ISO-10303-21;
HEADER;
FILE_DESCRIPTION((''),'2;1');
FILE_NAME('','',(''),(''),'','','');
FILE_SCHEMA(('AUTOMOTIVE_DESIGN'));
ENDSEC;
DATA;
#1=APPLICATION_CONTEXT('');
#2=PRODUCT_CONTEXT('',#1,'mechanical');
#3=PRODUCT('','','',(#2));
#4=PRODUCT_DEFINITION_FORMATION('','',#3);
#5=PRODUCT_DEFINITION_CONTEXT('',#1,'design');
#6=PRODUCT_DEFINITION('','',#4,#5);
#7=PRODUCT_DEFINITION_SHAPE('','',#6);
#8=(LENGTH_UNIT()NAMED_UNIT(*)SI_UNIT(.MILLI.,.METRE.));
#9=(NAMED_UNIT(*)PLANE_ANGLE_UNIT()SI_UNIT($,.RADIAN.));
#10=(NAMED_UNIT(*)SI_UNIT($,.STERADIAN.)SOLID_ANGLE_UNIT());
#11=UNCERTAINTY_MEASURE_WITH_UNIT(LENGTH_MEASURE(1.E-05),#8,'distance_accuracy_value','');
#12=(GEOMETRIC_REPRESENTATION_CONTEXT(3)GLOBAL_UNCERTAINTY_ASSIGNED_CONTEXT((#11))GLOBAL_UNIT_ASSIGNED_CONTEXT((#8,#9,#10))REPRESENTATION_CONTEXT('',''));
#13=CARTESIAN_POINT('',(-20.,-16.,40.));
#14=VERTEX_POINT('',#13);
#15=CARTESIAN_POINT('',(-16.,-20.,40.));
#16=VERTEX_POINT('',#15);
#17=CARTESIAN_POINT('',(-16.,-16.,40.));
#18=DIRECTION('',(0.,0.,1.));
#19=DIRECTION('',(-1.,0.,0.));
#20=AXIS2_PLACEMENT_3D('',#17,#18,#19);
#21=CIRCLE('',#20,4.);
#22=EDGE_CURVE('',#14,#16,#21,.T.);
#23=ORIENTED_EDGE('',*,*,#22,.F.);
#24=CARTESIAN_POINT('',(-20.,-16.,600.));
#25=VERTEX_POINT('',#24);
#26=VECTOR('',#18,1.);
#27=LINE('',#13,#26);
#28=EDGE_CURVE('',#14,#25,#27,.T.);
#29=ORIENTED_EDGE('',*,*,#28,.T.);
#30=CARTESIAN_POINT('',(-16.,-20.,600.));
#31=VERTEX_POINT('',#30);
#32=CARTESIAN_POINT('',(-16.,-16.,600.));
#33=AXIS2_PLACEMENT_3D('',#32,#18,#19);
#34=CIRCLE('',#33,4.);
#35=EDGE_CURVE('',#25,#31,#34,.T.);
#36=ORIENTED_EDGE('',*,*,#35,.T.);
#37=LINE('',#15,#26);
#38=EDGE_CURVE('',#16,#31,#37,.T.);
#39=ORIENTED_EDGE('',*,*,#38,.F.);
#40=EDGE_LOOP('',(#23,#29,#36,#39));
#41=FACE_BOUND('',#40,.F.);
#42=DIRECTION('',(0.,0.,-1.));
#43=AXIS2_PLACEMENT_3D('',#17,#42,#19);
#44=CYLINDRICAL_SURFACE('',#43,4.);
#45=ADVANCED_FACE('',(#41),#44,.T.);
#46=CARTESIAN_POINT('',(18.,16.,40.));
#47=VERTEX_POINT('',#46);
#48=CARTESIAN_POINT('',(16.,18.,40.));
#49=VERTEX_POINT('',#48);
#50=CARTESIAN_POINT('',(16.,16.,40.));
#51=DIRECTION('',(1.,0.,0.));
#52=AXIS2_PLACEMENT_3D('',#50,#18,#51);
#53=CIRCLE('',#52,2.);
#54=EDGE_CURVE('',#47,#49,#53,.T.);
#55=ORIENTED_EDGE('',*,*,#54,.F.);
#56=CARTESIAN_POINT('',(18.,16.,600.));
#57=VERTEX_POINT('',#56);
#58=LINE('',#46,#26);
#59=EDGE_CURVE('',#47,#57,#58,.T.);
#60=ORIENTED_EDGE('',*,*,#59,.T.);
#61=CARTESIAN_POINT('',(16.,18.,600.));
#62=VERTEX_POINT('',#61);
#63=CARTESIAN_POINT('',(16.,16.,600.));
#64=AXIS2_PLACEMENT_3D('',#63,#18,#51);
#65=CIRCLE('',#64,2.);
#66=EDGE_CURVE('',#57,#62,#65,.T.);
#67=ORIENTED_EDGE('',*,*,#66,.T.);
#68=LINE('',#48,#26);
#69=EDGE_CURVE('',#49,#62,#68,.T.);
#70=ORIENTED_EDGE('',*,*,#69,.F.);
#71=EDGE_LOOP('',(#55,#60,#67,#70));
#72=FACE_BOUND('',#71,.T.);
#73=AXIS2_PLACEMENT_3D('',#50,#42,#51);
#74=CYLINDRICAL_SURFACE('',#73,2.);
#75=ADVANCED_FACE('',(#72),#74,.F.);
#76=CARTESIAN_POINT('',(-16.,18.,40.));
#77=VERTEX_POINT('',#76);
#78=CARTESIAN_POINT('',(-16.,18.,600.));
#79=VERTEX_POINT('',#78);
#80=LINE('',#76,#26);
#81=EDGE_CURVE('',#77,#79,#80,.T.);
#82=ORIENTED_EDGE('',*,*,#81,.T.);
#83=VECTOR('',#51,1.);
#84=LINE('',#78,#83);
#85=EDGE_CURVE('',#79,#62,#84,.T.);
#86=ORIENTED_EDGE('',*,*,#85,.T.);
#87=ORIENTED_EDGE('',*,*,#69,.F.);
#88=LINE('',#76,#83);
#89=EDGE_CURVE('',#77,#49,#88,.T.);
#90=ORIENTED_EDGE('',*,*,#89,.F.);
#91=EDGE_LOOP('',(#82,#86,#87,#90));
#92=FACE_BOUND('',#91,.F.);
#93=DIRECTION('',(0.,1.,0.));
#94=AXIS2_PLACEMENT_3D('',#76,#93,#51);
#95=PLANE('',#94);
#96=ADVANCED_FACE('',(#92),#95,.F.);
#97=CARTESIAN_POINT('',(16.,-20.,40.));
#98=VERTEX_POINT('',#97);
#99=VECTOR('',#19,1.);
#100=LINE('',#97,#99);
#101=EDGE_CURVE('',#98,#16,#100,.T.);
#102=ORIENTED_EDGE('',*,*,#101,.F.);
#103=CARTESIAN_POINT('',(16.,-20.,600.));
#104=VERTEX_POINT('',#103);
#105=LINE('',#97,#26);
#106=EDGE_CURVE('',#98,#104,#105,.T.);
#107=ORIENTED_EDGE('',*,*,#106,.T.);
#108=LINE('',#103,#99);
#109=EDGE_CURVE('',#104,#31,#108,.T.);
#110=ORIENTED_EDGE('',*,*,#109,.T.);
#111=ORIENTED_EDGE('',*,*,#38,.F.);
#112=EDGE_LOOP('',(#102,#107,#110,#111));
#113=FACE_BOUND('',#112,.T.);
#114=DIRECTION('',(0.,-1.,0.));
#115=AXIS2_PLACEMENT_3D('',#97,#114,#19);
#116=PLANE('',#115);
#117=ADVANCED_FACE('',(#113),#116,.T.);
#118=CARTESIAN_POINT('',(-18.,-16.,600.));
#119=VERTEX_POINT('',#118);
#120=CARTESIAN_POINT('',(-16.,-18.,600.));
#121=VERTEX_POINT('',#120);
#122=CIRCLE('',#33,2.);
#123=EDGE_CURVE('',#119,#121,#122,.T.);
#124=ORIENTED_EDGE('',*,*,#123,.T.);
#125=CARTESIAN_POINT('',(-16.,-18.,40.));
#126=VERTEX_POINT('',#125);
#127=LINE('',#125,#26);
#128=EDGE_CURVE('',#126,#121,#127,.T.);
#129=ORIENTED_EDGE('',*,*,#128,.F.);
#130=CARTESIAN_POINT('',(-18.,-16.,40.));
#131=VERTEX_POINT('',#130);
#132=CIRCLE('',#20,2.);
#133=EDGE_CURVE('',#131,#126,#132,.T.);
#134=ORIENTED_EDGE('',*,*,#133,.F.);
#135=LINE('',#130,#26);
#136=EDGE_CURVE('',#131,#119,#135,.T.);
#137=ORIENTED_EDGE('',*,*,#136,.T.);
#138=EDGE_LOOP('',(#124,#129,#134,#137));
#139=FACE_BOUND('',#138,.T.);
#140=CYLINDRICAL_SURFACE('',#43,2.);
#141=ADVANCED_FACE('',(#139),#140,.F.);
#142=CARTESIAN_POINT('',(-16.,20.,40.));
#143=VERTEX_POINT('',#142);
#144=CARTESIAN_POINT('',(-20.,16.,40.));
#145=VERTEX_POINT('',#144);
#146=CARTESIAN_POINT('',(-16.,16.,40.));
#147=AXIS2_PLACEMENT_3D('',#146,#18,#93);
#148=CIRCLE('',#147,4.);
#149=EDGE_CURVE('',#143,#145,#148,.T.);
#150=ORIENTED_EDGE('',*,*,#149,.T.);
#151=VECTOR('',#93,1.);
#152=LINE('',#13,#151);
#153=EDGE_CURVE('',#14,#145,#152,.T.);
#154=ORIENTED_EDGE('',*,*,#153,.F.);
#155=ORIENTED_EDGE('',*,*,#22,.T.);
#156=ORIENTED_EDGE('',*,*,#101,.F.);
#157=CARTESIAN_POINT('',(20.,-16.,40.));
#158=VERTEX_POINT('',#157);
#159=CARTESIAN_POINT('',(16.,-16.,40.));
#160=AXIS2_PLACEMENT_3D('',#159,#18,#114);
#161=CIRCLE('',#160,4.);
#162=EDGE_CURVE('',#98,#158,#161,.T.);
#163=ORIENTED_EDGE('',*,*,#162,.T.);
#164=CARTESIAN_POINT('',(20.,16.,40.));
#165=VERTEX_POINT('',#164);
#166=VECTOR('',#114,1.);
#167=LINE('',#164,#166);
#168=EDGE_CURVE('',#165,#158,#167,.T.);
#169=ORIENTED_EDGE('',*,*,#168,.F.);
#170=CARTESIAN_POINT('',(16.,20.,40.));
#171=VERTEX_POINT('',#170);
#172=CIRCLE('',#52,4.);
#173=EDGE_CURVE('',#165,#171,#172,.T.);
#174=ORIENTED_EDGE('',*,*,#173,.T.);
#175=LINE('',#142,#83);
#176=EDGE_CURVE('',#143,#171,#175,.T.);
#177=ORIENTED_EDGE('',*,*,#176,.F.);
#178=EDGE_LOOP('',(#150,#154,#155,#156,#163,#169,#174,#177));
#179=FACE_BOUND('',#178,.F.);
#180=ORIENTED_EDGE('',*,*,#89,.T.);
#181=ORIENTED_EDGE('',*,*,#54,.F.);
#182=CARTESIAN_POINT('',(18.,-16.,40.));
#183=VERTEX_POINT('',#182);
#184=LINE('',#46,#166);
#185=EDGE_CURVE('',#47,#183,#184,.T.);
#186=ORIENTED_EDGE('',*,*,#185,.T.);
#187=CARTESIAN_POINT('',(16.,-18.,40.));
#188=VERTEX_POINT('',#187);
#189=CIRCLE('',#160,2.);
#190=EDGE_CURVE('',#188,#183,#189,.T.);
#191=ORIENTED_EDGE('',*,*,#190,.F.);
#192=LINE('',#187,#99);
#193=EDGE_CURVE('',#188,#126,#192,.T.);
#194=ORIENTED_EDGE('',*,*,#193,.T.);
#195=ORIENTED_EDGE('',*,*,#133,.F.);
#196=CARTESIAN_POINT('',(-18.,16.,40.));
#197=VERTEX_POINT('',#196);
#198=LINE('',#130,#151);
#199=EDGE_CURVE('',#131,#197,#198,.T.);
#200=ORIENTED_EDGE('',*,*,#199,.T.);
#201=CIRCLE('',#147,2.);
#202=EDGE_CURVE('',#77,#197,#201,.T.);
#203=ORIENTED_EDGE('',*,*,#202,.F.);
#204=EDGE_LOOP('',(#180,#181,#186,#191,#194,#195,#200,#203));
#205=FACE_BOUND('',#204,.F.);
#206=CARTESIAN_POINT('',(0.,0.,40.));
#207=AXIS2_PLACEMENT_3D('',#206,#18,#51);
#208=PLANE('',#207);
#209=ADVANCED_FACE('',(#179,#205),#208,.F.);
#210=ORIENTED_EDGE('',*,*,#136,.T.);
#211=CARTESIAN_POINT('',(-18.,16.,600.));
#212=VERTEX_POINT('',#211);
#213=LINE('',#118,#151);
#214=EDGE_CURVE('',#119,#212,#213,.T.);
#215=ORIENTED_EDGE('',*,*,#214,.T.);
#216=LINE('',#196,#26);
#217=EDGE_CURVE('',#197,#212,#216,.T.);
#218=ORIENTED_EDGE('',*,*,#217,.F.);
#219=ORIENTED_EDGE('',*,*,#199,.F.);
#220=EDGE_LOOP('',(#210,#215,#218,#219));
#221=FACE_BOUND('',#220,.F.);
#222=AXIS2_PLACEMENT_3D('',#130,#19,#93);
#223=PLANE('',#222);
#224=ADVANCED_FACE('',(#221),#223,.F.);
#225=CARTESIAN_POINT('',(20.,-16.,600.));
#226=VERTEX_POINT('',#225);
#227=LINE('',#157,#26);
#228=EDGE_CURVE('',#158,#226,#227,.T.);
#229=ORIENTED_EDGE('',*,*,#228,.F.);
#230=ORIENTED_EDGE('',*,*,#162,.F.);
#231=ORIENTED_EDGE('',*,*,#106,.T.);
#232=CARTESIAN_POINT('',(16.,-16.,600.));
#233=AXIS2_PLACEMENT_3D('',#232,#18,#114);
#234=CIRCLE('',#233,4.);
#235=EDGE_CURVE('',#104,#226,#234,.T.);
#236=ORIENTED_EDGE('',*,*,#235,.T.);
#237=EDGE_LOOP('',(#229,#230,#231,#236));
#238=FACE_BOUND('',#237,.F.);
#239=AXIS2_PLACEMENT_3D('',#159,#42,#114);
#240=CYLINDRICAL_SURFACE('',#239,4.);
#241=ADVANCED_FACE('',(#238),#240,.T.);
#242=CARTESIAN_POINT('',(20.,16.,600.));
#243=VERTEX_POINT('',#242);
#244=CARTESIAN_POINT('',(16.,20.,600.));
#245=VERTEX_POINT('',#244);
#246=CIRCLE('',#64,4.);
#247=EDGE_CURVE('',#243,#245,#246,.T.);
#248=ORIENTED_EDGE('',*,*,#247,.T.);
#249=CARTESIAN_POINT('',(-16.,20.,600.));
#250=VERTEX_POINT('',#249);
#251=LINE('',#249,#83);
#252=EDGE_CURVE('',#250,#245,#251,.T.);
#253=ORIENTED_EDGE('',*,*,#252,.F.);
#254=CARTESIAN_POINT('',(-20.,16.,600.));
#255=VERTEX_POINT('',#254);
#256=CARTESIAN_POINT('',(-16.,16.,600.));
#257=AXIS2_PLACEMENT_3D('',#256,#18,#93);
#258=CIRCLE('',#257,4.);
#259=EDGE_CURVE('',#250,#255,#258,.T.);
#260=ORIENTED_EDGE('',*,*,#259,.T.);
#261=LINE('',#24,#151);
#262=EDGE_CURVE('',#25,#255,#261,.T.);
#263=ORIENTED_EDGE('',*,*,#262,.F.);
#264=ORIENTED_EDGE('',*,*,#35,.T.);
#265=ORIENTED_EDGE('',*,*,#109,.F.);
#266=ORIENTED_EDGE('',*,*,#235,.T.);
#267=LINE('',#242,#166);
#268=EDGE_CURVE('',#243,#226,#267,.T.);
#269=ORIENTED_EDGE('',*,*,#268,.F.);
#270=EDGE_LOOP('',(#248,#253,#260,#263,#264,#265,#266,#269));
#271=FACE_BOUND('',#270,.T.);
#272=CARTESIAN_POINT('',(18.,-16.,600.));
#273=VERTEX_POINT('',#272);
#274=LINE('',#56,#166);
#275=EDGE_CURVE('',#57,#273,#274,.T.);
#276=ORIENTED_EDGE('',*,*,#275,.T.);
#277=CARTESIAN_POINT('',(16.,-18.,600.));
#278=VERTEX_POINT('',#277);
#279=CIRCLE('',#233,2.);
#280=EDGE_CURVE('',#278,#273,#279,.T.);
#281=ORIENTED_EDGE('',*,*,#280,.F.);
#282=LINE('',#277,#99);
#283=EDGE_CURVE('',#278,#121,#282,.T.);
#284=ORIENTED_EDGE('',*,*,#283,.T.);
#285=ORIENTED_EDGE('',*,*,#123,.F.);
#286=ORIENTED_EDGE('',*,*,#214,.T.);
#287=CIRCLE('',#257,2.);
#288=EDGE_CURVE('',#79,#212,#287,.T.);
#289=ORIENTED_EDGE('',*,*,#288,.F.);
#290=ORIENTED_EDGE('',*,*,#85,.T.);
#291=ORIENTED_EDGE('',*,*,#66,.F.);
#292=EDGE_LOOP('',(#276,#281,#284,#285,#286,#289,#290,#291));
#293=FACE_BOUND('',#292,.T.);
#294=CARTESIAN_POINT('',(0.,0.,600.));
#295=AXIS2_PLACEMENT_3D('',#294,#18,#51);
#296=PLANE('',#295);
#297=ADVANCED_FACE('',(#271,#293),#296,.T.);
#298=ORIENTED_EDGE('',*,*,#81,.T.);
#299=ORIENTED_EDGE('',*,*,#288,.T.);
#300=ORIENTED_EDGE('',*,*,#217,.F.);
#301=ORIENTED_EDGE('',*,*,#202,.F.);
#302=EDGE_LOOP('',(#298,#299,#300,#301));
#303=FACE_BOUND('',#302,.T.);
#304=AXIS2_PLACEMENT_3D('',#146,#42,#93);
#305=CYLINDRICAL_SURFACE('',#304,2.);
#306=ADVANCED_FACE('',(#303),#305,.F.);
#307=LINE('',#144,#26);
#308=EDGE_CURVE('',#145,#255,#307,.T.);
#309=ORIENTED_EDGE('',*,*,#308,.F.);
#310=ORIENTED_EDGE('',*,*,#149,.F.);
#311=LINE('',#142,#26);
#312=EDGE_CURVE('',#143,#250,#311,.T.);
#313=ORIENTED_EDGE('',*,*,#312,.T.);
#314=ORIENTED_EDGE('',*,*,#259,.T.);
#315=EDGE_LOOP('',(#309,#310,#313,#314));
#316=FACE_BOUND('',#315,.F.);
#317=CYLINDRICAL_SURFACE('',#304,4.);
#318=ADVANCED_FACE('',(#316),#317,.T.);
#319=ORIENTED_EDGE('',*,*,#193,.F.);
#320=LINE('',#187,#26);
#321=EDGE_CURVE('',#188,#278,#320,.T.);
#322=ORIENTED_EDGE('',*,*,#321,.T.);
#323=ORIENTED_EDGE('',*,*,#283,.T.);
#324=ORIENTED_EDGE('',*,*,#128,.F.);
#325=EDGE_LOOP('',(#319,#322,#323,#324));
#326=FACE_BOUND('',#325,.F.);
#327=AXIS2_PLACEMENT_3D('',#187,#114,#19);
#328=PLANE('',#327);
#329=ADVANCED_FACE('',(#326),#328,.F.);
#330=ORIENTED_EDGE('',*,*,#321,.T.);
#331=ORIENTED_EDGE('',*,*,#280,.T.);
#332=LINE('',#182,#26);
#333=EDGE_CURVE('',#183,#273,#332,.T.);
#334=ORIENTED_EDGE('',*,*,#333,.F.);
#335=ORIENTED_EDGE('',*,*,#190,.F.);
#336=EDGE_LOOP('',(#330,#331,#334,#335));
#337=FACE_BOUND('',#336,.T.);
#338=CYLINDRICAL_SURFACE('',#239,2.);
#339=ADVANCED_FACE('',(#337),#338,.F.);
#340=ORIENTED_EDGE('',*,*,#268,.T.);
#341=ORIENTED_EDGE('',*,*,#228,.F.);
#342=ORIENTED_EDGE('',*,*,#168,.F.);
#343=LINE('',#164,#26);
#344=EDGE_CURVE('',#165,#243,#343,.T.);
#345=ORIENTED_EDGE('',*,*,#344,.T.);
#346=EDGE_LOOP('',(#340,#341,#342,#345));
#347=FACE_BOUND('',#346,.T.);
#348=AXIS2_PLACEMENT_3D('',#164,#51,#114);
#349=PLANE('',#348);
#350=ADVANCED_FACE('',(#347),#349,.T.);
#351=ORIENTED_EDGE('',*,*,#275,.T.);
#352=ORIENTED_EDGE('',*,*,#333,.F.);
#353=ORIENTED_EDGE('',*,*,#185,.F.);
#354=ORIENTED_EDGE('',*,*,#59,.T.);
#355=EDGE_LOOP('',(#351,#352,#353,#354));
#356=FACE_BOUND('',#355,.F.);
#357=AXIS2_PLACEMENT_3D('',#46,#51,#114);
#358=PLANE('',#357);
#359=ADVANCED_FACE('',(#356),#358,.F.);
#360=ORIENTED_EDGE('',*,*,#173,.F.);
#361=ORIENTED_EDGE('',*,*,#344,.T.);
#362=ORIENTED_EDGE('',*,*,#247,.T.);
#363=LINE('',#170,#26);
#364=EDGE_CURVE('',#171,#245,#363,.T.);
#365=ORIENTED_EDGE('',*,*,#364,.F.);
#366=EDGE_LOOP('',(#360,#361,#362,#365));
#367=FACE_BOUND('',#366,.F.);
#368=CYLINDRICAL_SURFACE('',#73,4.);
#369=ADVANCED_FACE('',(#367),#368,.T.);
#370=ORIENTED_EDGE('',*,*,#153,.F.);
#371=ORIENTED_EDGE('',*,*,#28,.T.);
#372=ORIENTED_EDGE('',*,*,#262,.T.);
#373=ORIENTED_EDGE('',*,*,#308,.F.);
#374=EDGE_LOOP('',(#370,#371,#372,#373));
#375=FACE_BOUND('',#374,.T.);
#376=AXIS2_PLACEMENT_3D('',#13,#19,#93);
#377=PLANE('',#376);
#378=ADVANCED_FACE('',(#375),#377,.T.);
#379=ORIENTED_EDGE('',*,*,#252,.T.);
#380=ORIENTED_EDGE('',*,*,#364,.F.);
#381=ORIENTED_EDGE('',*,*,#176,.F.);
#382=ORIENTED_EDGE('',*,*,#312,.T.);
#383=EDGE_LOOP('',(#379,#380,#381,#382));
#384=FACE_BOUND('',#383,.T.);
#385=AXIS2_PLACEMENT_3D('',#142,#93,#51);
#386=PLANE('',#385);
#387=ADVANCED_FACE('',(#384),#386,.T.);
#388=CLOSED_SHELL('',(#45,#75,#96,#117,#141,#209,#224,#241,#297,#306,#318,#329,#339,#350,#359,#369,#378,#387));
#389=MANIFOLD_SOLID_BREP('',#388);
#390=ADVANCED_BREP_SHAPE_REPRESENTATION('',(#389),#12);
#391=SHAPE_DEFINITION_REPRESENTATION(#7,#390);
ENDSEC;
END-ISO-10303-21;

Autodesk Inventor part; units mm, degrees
ref_plane "YZ Plane" through (0, 0, 0) normal (1, 0, 0) x (0, 1, 0)
ref_plane "Start Plane" through (0, 0, 40) normal (0, 0, 1) x (1, 0, 0)
ref_plane "End Plane" through (0, 0, 600) normal (0, 0, 1) x (1, 0, 0)
sketch "Sketch" plane through (0, 0, 0) normal (0, 0, 1) x (1, 0, 0)
  line L0 (-20, -16) -> (-20, 16)
  line L1 (-16, 20) -> (16, 20)
  line L2 (20, 16) -> (20, -16)
  line L3 (16, -20) -> (-16, -20)
  arc A0 (-20, -16) -> (-16, -20) centre (-16, -16) ccw
  arc A1 (20, 16) -> (16, 20) centre (16, 16) ccw
  arc A2 (-16, 20) -> (-20, 16) centre (-16, 16) ccw
  arc A3 (16, -20) -> (20, -16) centre (16, -16) ccw
  arc A4 (-16, 18) -> (-18, 16) centre (-16, 16) ccw
  line L4 (-16, 18) -> (16, 18)
  arc A5 (18, 16) -> (16, 18) centre (16, 16) ccw
  line L5 (18, 16) -> (18, -16)
  arc A6 (16, -18) -> (18, -16) centre (16, -16) ccw
  line L6 (16, -18) -> (-16, -18)
  arc A7 (-18, -16) -> (-16, -18) centre (-16, -16) ccw
  line L7 (-18, -16) -> (-18, 16)
  line L8 (0, 29.1598) -> (0, -29.1598) construction
  line L9 (-29.1598, 0) -> (29.1598, 0) construction
  dimension "d7" = 4
  dimension "d9" = 40
  dimension "d11" = 40
  dimension "d12" = 2
  dimension "d15" = 20
  dimension "d16" = 20
extrude "Body" add sketch "Sketch" along normal up to surface (560 mm away) from surface at 40
sketch "Sketch3" plane through (0, 0, 0) normal (0, 0, 1) x (1, 0, 0)
  line L0 (0, 0) -> (10, 0)
ref_plane "Work Plane3" through (0, 0, 0) normal (0, -1, 0) x (1, 0, 0)
sketch "Sketch4" plane through (0, 0, 0) normal (0, -1, 0) x (1, 0, 0)
  line L0 (-2, 40) -> (12, 40) projected
  line L1 (-2, 600) -> (12, 600) projected
  dimension "d18" = 560
equation "\"d7\" = G_IR"
equation "\"d9\" = G_W"
equation "\"d11\" = G_H"
equation "\"d12\" = G_T"
equation "\"d15\" = 0.5 * d9"
equation "\"d16\" = 0.5 * d11"
equation "\"d3\" = G_L"
equation "\"G_W\" = 40"
equation "\"G_H\" = 40"
equation "\"G_T\" = 2"
equation "\"G_IR\" = 4"
equation "\"G_L\" = d18"
properties part number "ISO 10799-2 - 40x40x2 - 560" material "Steel, Mild"
